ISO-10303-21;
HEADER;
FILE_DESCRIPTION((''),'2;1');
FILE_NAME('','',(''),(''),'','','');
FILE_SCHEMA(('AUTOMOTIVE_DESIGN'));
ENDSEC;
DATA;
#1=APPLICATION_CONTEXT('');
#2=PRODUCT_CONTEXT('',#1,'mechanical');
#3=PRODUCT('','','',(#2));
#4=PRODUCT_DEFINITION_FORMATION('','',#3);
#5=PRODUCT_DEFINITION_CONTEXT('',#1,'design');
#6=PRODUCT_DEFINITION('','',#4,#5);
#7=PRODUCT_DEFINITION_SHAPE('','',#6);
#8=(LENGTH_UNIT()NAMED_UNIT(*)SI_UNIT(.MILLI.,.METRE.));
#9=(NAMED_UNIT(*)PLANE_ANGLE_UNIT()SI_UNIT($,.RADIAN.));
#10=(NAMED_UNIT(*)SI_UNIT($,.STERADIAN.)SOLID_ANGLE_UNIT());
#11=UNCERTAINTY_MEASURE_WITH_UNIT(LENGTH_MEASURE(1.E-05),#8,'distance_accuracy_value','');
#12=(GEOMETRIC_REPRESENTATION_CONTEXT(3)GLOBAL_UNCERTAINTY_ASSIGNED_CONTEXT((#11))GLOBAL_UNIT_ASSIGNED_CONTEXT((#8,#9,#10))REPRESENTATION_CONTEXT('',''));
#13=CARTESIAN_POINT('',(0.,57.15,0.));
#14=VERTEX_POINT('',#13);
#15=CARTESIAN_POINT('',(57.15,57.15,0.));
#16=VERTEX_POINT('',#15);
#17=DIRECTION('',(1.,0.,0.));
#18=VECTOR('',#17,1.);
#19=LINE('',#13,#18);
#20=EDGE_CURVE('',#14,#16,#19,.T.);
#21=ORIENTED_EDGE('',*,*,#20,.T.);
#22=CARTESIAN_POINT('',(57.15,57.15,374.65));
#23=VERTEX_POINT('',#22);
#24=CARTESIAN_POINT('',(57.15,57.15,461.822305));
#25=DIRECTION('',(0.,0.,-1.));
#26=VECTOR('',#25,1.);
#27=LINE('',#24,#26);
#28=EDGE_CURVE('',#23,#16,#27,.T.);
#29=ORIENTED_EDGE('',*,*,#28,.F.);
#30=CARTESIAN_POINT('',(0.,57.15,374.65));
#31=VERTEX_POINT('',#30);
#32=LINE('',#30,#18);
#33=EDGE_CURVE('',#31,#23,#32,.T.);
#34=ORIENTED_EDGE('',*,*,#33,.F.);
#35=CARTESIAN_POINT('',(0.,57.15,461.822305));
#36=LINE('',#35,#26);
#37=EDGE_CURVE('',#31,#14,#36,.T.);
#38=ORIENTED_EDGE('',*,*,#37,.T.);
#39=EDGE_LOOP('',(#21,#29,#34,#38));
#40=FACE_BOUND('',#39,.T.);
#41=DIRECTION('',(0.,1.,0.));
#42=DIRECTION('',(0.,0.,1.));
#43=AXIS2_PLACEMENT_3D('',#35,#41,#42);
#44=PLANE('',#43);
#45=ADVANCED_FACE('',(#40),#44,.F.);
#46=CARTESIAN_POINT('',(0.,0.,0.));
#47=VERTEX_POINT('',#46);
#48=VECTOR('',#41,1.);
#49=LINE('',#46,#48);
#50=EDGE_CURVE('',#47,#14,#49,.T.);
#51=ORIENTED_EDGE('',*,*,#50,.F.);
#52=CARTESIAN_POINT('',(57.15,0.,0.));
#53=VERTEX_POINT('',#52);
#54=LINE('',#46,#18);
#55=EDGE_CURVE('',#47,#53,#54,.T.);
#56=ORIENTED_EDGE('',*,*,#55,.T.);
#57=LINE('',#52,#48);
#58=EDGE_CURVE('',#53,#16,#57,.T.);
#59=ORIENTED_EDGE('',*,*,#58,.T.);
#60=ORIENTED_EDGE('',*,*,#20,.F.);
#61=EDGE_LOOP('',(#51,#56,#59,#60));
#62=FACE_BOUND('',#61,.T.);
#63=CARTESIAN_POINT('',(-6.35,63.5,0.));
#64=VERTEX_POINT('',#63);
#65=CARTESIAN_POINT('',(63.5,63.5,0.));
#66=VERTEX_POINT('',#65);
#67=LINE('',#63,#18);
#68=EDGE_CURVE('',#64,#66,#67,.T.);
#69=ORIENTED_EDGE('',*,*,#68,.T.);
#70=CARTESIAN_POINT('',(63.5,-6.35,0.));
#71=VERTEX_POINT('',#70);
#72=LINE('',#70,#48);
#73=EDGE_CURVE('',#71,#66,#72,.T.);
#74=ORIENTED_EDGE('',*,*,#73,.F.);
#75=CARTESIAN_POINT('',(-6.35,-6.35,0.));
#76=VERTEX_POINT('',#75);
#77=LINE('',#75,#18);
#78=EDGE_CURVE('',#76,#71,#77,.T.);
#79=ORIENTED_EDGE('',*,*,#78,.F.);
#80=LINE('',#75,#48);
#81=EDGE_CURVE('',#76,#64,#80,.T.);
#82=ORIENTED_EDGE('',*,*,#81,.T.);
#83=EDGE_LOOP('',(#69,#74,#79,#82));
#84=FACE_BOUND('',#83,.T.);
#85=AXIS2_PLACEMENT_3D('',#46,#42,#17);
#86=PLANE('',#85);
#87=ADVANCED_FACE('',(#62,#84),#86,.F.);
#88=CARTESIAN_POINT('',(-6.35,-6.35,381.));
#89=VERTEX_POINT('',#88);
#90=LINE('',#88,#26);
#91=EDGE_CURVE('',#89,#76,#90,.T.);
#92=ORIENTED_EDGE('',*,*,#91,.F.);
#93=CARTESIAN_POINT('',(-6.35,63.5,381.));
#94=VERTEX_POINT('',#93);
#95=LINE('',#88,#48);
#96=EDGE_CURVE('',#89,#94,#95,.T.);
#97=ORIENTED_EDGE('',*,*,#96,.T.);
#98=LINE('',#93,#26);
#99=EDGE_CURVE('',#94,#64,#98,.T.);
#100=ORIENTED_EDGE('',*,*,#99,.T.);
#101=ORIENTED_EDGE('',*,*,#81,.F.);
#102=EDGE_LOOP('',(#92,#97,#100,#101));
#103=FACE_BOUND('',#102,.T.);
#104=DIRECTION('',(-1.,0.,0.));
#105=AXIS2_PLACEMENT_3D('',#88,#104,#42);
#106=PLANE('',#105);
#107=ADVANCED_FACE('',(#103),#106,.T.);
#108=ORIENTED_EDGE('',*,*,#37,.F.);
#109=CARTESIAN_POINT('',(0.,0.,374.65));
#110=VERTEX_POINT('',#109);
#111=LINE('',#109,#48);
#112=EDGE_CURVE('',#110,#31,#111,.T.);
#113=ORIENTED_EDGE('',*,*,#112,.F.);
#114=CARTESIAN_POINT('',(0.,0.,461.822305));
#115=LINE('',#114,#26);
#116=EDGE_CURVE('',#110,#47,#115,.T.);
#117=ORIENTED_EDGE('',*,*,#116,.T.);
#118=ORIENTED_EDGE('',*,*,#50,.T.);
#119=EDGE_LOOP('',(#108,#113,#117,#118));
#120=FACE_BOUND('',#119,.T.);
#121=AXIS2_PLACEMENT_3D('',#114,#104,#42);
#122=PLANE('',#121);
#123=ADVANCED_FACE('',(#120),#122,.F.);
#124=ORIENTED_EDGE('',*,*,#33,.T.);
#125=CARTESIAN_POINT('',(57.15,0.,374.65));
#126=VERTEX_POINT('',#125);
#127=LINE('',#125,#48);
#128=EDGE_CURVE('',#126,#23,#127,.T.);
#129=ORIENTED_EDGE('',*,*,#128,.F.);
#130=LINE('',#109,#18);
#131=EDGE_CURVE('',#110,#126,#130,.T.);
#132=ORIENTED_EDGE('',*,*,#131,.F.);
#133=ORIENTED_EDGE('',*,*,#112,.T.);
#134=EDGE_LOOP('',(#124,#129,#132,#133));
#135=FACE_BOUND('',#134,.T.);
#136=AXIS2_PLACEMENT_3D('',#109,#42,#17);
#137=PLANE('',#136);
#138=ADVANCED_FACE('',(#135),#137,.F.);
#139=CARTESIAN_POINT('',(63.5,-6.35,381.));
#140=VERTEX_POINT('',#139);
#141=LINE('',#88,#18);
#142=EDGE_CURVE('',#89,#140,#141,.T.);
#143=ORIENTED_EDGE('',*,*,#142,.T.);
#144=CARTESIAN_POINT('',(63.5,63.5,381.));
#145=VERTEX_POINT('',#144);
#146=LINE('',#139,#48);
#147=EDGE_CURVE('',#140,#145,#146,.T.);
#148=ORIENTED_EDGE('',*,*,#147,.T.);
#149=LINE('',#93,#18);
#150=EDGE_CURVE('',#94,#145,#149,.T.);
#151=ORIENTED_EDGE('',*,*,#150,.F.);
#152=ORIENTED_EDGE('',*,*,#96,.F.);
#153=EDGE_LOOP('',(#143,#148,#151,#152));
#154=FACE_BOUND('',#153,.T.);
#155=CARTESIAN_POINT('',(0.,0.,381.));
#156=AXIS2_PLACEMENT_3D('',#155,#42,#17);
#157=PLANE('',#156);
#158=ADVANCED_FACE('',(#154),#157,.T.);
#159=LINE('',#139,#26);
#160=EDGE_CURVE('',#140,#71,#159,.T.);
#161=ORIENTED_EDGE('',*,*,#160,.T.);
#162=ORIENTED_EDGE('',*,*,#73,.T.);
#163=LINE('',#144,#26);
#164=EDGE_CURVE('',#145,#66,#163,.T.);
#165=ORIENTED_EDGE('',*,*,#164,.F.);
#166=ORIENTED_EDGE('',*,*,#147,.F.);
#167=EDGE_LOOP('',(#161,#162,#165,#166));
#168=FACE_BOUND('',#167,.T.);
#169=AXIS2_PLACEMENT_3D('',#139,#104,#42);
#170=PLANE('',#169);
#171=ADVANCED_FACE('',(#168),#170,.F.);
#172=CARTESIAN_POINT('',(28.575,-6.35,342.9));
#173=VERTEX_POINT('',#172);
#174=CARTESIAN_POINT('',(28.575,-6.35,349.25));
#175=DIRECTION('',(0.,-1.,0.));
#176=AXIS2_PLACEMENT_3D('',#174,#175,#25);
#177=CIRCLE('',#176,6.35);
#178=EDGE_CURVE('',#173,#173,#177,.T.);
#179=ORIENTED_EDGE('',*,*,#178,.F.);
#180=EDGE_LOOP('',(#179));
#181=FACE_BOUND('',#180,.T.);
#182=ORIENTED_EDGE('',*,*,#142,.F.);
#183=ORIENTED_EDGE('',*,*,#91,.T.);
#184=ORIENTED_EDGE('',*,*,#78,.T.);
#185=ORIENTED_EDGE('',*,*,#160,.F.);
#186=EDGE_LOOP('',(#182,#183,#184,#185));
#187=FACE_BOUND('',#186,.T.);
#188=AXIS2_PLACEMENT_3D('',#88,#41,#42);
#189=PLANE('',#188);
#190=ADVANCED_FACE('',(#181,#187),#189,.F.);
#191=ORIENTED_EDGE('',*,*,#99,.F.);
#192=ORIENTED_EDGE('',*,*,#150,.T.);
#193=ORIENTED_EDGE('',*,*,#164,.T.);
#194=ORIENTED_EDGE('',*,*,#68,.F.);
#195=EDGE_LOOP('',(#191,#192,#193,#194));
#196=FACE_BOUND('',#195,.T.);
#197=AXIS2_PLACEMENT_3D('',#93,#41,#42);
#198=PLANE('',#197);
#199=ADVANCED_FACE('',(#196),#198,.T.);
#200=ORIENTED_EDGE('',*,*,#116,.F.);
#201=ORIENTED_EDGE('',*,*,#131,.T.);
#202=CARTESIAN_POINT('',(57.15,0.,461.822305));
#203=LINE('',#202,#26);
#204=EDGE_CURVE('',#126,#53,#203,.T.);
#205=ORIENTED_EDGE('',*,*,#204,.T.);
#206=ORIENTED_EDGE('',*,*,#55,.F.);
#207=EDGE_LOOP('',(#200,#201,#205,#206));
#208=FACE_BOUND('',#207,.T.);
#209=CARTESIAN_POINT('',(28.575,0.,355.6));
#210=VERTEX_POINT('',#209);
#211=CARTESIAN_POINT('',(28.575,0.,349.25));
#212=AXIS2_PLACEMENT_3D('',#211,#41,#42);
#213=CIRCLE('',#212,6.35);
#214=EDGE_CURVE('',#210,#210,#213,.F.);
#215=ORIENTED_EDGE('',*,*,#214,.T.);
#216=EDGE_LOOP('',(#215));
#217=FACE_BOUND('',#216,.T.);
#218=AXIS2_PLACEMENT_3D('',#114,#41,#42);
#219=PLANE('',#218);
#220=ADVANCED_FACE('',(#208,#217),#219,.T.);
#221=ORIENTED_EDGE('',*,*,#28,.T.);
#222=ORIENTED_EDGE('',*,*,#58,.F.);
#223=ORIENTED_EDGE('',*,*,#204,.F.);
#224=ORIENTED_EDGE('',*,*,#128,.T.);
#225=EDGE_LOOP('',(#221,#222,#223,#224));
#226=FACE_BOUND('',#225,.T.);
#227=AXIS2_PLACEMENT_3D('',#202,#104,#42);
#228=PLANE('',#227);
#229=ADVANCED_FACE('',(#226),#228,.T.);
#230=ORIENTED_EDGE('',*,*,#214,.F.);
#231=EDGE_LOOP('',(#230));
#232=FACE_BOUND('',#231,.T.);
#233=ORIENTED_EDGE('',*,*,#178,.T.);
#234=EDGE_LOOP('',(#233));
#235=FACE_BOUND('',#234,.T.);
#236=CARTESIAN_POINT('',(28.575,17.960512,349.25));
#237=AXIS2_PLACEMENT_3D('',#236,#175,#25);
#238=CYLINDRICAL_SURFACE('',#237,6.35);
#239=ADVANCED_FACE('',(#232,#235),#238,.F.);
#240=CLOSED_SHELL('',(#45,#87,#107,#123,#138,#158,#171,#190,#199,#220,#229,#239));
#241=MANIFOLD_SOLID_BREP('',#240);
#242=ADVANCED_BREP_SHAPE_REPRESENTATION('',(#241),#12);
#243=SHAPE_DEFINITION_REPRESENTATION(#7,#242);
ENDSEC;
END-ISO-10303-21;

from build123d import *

# Parameters (mm, degrees)
SKETCH1_W           = 69.85
SKETCH1_H           = 69.85
BOSS_EXTRUDE1_DEPTH = 381
SKETCH1_3_W         = 57.15
SKETCH1_3_H         = 57.15
CUT_EXTRUDE1_DEPTH  = 374.65
SKETCH2_R           = 6.35
CUT_EXTRUDE2_DEPTH  = 6.35


with BuildPart() as part:
    # Sketch1 → Boss-Extrude1 (new body)
    with BuildSketch(Plane.XY):
        with Locations((28.575, 28.575)):
            Rectangle(SKETCH1_W, SKETCH1_H)
    extrude(amount=BOSS_EXTRUDE1_DEPTH)

    # Sketch1<3> → Cut-Extrude1 (cut)
    with BuildSketch(Plane.XY):
        with Locations((28.575, 28.575)):
            Rectangle(SKETCH1_3_W, SKETCH1_3_H)
    extrude(amount=CUT_EXTRUDE1_DEPTH, mode=Mode.SUBTRACT)

    # Sketch2 → Cut-Extrude2 (cut)
    with BuildSketch(Plane.XZ.offset(6.35)):
        with Locations(Location((28.575, 349.25, 0), (0, 0, 270))):
            Circle(SKETCH2_R)
    extrude(amount=-CUT_EXTRUDE2_DEPTH, mode=Mode.SUBTRACT)


solid = part.part
